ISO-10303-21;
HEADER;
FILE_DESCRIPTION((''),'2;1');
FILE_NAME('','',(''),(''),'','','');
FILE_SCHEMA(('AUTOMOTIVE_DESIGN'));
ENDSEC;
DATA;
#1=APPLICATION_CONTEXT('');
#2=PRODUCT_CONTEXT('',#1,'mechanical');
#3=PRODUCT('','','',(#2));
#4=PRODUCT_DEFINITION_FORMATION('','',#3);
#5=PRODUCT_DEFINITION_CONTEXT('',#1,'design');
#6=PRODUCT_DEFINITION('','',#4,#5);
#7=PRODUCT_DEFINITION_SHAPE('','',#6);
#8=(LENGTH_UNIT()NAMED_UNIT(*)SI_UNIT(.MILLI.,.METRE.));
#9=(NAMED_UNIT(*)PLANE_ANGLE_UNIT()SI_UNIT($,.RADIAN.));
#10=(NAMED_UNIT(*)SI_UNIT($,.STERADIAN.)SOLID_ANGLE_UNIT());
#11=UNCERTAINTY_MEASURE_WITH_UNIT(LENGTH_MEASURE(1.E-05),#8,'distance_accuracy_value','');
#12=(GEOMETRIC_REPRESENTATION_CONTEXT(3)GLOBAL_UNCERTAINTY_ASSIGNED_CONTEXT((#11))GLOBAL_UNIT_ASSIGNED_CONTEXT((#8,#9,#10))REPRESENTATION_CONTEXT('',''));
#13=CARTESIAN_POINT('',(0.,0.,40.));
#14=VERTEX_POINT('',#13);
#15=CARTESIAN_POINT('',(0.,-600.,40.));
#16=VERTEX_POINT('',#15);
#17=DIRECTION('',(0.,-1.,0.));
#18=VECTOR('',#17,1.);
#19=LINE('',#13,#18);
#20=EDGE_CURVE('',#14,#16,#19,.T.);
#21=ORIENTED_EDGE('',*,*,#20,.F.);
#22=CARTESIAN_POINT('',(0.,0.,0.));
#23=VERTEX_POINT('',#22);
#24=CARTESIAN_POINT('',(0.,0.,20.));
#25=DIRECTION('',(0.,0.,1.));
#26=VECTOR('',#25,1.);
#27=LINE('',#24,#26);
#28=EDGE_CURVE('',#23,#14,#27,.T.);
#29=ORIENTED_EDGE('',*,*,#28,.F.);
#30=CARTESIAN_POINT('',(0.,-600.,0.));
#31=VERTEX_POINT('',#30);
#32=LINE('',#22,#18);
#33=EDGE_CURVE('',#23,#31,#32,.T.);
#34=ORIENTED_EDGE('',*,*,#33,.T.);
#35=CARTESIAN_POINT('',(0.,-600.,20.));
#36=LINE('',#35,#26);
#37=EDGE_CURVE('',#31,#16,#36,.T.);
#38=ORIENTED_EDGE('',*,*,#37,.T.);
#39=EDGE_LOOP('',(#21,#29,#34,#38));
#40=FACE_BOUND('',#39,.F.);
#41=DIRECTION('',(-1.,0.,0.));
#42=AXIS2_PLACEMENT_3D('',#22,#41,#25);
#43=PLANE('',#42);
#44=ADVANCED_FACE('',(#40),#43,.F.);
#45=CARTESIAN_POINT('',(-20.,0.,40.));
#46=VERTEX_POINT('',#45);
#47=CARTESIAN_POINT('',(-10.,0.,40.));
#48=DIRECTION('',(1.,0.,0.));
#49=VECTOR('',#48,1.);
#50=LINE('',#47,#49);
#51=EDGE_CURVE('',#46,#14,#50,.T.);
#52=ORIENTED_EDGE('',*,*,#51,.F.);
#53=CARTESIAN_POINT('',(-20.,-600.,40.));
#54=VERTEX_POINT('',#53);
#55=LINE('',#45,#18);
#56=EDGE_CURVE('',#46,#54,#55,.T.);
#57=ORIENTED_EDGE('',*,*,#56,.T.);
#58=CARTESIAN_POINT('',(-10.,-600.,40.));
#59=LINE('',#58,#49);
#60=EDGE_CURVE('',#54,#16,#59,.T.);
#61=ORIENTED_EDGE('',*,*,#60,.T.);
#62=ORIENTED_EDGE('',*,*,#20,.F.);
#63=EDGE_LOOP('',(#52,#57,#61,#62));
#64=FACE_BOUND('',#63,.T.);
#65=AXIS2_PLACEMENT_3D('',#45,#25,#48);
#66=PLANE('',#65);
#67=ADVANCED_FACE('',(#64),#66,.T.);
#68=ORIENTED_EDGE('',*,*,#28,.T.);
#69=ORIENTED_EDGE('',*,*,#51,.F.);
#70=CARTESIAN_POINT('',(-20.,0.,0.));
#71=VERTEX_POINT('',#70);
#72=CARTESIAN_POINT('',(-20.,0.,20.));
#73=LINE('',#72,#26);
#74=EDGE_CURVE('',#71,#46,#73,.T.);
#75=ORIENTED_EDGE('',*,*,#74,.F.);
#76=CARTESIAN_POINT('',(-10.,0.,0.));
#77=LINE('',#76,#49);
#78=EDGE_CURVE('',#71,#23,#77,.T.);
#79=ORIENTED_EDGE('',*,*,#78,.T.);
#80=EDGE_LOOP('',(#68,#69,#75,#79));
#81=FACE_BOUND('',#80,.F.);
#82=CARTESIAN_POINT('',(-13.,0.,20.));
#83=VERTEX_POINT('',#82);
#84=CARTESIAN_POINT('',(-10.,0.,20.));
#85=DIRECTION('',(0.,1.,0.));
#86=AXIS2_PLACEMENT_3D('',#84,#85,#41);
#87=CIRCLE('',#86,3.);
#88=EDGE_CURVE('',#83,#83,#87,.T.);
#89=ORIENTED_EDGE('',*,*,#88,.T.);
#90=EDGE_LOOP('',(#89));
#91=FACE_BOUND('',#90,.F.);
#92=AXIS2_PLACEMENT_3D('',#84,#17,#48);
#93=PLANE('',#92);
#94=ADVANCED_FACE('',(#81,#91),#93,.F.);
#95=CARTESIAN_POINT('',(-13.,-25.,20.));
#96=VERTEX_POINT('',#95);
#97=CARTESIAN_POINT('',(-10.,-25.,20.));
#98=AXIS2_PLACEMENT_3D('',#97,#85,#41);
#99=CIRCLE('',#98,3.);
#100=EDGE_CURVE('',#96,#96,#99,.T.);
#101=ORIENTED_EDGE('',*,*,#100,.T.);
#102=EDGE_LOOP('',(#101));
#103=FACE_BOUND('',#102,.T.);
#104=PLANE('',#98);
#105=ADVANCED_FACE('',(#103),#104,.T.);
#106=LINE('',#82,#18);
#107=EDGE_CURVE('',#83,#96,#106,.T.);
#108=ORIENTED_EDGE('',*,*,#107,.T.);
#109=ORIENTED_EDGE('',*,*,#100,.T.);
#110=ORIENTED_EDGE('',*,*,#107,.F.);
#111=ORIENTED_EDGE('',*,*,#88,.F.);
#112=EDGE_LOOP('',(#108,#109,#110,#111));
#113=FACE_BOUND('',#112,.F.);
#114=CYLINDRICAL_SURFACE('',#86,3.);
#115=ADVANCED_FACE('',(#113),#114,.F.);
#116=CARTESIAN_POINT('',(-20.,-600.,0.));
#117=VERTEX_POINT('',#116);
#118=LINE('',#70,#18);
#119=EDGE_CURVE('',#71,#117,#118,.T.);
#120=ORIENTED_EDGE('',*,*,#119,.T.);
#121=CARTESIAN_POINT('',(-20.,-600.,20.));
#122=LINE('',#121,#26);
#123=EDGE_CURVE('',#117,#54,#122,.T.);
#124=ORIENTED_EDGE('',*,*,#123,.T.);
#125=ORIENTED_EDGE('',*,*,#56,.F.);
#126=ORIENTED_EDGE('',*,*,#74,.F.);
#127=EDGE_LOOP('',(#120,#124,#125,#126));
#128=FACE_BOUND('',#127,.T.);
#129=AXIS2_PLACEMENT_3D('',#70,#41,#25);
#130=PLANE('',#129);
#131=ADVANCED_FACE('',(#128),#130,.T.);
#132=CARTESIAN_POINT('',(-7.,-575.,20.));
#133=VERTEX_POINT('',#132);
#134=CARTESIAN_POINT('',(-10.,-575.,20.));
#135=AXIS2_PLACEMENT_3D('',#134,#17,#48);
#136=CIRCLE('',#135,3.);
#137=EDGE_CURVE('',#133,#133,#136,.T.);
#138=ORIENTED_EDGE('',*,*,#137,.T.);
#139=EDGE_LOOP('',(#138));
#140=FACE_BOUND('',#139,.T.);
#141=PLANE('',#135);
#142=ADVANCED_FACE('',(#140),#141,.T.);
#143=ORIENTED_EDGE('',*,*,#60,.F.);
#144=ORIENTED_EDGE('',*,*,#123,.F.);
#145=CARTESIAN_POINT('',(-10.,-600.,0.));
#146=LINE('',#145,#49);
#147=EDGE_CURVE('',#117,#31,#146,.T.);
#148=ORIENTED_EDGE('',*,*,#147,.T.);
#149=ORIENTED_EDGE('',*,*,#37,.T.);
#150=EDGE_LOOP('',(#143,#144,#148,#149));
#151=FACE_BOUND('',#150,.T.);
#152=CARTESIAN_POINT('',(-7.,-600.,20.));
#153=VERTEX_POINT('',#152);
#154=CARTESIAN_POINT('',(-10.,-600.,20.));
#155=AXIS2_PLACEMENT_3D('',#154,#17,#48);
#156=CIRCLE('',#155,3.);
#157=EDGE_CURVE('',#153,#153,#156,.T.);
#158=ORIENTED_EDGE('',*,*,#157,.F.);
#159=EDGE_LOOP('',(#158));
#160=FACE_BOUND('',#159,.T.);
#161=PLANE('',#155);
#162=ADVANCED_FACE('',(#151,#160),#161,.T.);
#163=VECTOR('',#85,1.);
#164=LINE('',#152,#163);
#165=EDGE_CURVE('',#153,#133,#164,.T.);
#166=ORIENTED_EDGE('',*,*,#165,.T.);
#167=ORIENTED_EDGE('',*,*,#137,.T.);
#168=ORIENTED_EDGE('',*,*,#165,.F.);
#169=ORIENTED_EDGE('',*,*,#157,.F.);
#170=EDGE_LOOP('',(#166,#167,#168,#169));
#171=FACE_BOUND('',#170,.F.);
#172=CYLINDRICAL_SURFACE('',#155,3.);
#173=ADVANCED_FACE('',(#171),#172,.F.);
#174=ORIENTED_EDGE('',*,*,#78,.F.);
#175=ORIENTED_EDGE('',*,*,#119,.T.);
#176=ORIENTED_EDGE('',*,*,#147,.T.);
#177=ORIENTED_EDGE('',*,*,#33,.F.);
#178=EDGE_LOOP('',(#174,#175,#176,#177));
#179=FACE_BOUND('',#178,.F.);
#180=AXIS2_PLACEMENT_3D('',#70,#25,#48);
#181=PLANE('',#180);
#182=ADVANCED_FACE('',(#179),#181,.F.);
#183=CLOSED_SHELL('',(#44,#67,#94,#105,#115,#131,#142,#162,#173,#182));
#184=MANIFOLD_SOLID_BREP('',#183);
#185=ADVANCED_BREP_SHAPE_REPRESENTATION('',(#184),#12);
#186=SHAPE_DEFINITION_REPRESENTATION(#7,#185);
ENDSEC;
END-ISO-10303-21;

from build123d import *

# Parameters (mm, degrees)
F0_W     = 20
F0_H     = 40
F1_DEPTH = 600
F2_R     = 3
F3_DEPTH = 25
F4_R     = 3
F5_DEPTH = 25


with BuildPart() as f1:
    # F0 (on Front) → F1 (new body)
    with BuildSketch(Plane.XZ):
        with Locations((-10, 20)):
            Rectangle(F0_W, F0_H)
    extrude(amount=F1_DEPTH)

    # F2 (on face) → F3 (cut)
    with BuildSketch(Plane(origin=(0, 0, 0), x_dir=(-1, 0, 0), z_dir=(0, 1, 0))):
        with Locations((10, 20)):
            Circle(F2_R)
    extrude(amount=-F3_DEPTH, mode=Mode.SUBTRACT)

    # F4 (on face) → F5 (cut)
    with BuildSketch(Plane.XZ.offset(600)):
        with Locations((-10, 20)):
            Circle(F4_R)
    extrude(amount=-F5_DEPTH, mode=Mode.SUBTRACT)


solid = f1.part
